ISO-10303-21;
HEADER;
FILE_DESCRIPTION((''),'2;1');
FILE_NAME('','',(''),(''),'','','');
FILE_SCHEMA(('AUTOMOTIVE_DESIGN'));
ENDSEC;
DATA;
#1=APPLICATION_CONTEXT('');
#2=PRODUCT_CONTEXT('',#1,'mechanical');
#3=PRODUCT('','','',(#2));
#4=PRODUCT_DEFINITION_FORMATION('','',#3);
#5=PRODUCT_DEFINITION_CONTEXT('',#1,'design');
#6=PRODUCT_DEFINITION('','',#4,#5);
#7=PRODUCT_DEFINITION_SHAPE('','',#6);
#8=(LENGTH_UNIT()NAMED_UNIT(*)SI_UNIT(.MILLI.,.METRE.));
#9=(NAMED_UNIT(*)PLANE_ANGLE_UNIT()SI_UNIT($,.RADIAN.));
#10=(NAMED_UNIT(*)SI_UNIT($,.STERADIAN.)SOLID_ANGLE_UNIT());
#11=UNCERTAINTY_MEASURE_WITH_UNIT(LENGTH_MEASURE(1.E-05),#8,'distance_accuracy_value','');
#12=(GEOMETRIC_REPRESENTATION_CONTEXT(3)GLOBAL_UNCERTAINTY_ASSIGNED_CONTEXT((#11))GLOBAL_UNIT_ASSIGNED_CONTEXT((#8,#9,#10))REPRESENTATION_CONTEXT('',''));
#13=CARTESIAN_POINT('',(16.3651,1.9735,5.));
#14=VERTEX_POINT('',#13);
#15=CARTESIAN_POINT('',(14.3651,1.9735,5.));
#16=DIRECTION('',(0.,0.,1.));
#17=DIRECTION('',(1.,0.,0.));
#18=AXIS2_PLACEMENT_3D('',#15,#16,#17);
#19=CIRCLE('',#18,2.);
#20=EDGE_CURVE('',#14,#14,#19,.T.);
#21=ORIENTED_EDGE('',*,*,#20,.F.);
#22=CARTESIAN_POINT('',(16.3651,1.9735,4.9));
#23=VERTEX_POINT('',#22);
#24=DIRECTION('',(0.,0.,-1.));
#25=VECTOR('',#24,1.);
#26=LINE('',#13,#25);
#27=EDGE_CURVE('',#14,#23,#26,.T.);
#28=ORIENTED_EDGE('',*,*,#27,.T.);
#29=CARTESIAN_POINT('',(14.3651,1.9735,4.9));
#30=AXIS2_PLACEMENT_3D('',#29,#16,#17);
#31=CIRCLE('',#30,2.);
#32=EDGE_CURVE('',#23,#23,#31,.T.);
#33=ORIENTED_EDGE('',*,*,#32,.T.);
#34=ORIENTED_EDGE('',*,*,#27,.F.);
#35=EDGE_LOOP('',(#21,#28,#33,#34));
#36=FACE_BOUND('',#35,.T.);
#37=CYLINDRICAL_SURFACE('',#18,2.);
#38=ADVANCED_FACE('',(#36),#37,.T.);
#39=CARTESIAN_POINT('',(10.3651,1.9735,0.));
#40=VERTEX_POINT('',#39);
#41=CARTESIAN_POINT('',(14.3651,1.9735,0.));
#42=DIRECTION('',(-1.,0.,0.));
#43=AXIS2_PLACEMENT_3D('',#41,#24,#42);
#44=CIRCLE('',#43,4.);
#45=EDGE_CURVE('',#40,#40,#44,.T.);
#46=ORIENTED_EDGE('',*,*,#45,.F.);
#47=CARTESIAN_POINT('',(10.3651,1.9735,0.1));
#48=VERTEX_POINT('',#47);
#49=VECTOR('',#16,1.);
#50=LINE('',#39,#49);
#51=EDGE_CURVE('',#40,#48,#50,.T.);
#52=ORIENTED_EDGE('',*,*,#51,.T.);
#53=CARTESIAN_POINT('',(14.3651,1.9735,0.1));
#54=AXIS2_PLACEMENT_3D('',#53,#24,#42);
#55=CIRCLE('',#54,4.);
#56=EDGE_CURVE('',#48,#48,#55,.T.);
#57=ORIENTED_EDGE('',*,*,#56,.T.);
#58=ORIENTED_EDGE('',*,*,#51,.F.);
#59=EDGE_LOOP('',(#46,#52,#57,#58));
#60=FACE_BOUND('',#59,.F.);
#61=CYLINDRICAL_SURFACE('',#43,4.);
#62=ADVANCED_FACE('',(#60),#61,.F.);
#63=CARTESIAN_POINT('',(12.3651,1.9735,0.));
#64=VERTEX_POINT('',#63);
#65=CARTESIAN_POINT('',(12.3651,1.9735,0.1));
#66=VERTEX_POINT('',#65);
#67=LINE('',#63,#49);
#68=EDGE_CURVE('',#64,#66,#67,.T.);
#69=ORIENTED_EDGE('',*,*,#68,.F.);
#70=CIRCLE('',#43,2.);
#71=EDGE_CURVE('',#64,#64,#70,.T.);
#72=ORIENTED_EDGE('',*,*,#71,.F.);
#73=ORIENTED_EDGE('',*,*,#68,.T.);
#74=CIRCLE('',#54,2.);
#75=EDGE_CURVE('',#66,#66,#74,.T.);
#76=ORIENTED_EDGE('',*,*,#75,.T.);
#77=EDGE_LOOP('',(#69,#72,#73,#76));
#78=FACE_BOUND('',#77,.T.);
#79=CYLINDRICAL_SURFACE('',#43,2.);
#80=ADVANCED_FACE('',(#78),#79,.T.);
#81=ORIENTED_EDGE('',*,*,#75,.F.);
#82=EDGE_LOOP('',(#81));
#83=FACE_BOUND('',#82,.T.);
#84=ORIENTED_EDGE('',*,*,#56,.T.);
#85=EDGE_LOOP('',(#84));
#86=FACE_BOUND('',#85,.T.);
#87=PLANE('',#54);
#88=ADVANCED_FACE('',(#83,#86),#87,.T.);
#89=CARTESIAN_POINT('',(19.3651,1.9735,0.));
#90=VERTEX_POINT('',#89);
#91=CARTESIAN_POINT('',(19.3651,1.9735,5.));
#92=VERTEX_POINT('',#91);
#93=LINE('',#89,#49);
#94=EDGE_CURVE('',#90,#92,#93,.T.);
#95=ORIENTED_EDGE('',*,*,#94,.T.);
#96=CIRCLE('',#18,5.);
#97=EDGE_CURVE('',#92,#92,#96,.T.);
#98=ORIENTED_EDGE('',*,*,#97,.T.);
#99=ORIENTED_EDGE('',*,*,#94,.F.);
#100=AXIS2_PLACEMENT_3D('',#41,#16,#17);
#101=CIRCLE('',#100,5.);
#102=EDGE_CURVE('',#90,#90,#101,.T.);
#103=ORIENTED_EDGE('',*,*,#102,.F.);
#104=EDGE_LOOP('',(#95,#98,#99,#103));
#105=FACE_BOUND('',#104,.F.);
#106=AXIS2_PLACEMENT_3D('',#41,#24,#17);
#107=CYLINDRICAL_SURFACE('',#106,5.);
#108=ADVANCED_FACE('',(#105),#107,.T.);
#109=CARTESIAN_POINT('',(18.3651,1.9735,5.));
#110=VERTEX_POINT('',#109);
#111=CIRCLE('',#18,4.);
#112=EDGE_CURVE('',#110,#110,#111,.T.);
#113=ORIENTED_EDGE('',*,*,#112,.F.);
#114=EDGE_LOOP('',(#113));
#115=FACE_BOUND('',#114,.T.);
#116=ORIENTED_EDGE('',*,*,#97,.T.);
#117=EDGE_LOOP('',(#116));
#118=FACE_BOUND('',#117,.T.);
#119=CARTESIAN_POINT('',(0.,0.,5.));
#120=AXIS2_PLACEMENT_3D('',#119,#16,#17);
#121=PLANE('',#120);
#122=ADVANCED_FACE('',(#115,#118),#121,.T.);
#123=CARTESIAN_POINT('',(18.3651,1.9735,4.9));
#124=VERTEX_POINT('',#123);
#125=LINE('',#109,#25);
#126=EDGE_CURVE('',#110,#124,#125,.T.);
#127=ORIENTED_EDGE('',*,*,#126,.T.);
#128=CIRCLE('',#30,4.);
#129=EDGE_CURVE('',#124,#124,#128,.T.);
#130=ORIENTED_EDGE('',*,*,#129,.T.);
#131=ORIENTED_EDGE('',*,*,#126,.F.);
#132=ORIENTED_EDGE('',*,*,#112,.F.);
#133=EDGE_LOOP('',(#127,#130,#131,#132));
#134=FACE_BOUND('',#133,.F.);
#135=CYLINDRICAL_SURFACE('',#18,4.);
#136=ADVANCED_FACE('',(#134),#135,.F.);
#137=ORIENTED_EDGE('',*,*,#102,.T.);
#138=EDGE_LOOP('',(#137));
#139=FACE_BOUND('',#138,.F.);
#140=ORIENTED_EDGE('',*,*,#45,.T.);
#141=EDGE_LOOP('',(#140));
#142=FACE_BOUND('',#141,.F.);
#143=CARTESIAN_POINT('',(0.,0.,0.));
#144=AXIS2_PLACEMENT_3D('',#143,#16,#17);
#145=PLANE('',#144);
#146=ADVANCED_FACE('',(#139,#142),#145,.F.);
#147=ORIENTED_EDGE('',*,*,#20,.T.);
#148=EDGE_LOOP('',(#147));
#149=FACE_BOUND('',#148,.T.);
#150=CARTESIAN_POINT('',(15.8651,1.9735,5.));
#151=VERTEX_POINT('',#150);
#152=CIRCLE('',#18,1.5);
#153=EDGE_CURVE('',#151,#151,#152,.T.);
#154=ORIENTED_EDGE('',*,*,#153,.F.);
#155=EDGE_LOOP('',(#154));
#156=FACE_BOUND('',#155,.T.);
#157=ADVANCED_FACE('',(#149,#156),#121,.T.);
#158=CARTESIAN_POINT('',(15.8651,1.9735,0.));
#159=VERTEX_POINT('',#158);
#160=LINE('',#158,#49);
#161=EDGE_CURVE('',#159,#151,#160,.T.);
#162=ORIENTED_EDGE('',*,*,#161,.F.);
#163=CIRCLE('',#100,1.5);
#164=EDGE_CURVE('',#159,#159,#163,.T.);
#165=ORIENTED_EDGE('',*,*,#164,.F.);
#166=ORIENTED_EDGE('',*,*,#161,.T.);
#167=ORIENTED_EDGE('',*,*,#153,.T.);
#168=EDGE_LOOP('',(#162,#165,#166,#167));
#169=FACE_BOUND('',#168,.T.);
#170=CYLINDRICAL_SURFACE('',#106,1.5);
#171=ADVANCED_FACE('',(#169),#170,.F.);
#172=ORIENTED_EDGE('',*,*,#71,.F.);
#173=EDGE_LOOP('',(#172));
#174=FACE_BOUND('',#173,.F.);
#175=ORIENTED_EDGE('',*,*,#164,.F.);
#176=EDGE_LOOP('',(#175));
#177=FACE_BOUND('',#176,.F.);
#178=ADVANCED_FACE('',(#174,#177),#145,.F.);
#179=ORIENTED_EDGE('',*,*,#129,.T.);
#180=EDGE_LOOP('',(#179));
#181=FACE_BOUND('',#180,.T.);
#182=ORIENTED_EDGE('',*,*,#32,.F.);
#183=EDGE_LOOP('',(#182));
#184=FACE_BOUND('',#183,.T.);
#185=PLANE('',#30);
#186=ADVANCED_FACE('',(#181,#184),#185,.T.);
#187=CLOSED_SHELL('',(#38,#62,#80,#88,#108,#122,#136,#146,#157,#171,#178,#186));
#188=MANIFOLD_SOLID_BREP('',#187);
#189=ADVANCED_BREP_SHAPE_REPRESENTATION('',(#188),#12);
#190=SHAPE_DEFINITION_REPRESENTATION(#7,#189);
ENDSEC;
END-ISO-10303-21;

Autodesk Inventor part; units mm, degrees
ref_plane "YZ Plane" through (0, 0, 0) normal (1, 0, 0) x (0, 1, 0)
ref_plane "XZ Plane" through (0, 0, 0) normal (0, 1, 0) x (-1, 0, 0)
ref_plane "XY Plane" through (0, 0, 0) normal (0, 0, 1) x (1, 0, 0)
sketch "Sketch1" plane through (0, 0, 0) normal (0, 0, 1) x (1, 0, 0)
  circle A0 centre (14.3651, 1.9735) radius 1.5 projected
  circle A1 centre (14.3651, 1.9735) radius 5
  circle A2 centre (14.3651, 1.9735) radius 1.5
  point P0 (0, 0)
  dimension "d0" = 10
  dimension "d1" = 3
extrude "Extrusion1" add sketch "Sketch1" along normal blind 5
sketch "Sketch2" plane through (14.3651, 1.9735, 5) normal (0, 0, 1) x (1, 0, 0)
  circle A0 centre (0, 0) radius 5 projected
  circle A1 centre (0, 0) radius 1.5 projected
  circle A2 centre (0, 0) radius 2
  circle A3 centre (0, 0) radius 4
  point P0 (-14.3651, -1.9735)
  dimension "d4" = 4
  dimension "d5" = 8
extrude "Extrusion2" cut sketch "Sketch2" against normal blind 0.1 contours A3
sketch "Sketch3" plane through (14.3651, 1.9735, 0) normal (0, 0, -1) x (-1, 0, 0)
  circle A0 centre (0, 0) radius 4 projected
  circle A1 centre (0, 0) radius 2 projected
  point P0 (14.3651, -1.9735)
extrude "Extrusion3" cut sketch "Sketch3" against normal blind 0.1
properties part number "bearing_3_10_5"
